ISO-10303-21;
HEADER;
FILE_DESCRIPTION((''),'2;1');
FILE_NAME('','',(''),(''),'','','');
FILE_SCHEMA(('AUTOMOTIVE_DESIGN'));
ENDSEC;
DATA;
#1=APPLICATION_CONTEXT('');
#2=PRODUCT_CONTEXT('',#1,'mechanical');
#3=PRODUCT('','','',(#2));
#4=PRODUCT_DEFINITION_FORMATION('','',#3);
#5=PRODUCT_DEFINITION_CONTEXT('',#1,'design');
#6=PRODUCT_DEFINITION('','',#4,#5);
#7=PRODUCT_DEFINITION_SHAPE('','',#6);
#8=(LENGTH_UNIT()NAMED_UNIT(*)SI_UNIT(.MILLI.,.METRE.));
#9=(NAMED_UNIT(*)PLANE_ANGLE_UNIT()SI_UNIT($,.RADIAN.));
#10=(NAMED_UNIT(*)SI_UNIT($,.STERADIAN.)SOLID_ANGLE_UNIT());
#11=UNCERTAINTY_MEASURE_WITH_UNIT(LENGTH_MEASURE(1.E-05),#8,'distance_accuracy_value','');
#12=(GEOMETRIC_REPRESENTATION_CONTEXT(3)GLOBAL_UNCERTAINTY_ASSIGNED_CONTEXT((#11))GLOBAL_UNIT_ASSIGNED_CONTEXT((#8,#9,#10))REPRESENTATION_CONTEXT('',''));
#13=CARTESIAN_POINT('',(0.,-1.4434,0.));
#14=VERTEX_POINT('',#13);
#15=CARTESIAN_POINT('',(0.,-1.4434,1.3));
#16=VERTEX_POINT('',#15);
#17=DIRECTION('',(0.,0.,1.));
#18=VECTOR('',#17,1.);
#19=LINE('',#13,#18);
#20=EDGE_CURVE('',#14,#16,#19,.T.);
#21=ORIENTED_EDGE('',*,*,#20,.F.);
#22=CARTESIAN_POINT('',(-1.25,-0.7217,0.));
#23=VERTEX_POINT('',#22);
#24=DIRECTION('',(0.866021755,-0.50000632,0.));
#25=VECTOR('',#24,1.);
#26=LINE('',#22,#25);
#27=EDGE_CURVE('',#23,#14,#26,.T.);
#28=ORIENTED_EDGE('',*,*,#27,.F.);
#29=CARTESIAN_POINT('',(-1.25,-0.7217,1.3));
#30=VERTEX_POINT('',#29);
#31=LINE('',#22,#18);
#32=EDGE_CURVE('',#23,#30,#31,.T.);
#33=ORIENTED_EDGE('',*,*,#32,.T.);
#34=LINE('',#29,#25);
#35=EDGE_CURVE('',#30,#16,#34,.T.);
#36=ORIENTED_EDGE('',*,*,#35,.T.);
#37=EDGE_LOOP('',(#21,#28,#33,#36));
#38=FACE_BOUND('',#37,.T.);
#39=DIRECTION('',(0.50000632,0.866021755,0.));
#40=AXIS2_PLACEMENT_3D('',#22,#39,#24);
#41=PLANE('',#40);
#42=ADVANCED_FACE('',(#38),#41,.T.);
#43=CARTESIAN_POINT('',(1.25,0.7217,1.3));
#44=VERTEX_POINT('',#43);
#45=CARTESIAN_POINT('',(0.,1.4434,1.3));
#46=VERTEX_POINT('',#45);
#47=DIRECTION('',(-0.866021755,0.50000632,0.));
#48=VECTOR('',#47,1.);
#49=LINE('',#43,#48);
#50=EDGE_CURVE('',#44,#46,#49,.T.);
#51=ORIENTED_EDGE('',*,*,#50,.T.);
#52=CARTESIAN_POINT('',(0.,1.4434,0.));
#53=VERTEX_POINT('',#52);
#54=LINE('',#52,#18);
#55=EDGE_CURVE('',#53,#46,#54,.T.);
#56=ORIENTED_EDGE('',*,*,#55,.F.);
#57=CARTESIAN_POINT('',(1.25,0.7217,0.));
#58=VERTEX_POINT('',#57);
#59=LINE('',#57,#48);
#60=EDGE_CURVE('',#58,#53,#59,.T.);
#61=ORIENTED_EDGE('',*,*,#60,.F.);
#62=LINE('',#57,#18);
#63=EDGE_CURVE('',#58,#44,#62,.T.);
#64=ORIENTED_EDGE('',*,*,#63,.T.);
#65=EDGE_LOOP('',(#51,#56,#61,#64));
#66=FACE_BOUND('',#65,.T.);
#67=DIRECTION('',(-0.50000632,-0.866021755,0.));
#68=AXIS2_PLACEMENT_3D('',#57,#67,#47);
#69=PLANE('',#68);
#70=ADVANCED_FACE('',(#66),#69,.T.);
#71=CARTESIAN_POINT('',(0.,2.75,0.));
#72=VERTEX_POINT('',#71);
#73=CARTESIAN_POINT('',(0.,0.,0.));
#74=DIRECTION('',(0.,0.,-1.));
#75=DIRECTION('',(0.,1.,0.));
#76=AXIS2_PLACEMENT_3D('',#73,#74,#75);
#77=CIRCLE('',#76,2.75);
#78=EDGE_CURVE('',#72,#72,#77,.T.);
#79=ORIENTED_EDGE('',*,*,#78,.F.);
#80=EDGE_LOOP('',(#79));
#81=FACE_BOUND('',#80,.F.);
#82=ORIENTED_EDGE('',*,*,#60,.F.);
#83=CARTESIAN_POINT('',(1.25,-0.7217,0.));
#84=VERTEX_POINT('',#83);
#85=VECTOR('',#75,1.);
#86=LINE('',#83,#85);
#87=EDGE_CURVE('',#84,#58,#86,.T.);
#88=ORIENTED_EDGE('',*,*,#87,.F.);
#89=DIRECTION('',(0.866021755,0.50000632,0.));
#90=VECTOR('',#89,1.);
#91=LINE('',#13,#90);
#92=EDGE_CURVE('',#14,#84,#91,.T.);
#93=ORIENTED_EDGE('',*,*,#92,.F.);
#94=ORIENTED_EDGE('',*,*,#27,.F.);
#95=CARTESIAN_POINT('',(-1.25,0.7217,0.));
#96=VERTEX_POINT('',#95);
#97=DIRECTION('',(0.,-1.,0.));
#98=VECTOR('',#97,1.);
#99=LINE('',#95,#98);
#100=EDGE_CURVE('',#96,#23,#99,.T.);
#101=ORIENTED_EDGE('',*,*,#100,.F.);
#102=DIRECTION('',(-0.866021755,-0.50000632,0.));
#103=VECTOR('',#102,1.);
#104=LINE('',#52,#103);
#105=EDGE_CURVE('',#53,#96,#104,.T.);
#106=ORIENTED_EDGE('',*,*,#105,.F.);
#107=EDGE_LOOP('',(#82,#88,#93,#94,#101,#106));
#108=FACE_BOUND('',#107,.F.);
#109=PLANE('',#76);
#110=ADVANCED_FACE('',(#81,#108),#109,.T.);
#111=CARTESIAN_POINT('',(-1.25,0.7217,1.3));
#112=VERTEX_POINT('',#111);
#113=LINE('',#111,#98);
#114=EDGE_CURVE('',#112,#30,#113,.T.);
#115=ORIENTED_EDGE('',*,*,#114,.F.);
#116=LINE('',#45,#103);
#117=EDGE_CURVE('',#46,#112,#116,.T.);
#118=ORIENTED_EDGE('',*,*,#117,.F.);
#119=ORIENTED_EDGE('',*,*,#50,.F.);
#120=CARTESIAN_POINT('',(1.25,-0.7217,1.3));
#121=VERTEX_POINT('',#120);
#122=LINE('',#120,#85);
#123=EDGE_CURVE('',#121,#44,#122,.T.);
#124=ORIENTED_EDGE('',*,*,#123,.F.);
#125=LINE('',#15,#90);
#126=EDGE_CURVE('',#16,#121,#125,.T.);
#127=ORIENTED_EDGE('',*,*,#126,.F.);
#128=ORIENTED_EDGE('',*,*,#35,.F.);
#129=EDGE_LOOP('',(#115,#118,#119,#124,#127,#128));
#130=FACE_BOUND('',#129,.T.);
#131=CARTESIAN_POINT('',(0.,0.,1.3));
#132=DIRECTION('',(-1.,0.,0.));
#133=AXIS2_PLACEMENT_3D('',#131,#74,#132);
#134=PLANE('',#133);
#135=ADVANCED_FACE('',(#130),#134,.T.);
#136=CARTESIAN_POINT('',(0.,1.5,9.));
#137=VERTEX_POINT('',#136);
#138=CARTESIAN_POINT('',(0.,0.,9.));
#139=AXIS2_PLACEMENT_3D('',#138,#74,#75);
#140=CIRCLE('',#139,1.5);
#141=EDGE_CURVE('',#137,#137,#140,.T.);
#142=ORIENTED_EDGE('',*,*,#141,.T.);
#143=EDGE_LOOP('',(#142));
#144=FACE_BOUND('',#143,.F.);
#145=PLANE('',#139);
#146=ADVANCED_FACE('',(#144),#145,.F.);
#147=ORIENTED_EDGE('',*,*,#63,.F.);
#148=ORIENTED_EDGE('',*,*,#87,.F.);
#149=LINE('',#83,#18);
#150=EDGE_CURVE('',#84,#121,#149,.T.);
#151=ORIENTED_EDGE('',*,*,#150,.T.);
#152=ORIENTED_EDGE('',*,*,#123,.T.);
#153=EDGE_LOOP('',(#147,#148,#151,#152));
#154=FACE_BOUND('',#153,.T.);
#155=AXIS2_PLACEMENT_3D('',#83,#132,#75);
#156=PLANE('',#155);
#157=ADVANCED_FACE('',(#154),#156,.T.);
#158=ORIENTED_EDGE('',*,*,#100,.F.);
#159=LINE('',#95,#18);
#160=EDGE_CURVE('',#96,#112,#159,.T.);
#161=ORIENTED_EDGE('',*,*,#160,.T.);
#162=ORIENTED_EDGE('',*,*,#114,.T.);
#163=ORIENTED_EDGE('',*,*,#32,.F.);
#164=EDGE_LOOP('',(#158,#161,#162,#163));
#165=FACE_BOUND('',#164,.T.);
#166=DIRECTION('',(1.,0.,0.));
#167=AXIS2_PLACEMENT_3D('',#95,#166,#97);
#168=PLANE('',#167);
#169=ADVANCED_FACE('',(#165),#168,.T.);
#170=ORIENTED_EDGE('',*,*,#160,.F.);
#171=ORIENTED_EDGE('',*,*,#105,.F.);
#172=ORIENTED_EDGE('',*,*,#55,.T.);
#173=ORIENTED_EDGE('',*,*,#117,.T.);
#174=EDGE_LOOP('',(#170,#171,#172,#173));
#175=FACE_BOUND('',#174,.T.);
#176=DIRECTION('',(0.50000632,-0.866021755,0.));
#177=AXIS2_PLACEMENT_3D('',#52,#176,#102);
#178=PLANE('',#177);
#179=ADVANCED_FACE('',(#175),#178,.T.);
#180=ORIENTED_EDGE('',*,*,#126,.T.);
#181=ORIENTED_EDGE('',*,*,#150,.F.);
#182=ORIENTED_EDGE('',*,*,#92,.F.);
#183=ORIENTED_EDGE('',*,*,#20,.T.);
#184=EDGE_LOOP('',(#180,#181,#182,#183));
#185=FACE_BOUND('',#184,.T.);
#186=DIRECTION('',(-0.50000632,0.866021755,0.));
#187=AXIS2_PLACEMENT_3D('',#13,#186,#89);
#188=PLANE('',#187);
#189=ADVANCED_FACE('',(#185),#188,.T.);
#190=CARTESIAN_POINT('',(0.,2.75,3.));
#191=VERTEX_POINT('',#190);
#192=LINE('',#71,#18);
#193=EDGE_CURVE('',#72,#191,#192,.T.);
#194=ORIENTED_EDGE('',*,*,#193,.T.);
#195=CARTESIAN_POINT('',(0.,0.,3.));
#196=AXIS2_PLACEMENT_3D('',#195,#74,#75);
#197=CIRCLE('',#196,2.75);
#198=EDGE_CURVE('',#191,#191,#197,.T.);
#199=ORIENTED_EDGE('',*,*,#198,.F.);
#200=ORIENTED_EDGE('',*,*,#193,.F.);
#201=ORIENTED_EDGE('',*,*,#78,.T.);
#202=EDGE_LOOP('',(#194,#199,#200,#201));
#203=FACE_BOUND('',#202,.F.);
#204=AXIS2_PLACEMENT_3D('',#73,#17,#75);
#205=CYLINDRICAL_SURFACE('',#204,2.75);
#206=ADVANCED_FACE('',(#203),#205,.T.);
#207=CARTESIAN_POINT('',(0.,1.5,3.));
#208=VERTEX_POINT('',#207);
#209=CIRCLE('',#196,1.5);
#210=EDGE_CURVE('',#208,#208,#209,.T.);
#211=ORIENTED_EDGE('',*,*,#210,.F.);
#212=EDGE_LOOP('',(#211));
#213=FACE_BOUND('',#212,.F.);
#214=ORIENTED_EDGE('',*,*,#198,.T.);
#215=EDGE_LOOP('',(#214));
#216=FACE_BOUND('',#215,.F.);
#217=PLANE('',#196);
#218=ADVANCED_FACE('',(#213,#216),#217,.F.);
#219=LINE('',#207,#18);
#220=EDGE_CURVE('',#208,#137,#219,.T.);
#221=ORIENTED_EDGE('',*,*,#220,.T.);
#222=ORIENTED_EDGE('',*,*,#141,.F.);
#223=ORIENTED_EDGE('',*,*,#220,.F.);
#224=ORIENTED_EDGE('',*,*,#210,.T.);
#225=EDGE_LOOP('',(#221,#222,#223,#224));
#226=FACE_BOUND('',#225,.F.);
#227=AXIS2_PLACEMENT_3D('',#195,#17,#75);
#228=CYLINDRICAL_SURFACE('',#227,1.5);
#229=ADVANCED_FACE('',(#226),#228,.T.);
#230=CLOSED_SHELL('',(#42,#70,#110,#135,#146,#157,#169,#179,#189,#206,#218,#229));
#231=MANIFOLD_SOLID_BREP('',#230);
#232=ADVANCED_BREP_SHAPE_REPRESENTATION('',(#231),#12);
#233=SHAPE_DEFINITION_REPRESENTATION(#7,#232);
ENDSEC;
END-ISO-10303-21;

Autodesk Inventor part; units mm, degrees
ref_plane "YZ Plane" through (0, 0, 0) normal (1, 0, 0) x (0, 1, 0)
ref_plane "XZ Plane" through (0, 0, 0) normal (0, 1, 0) x (-1, 0, 0)
ref_plane "XY Plane" through (0, 0, 0) normal (0, 0, 1) x (1, 0, 0)
sketch "スケッチ1" plane through (0, 0, 0) normal (1, 0, 0) x (0, 1, 0)
  line L0 (0, 9) -> (0, 0)
  line L1 (0, 0) -> (2.75, 0)
  line L2 (2.75, 0) -> (2.75, 3)
  line L3 (2.75, 3) -> (1.5, 3)
  line L4 (1.5, 3) -> (1.5, 9)
  line L5 (1.5, 9) -> (0, 9)
  dimension "d2" = 3
  dimension "d10" = 6
  dimension "d11" = 3
  dimension "d12" = 5.5
revolve "回転1" add sketch "スケッチ1" angle 360 about axis through (0, 0, 9) along (0, 0, -1)
thread "ねじ1" size "M3x0.5" class "6g" standard "ANSI Metric M Profile" full length
sketch "スケッチ2" plane through (0, 0, 0) normal (0, 0, -1) x (-1, 0, 0)
  line L0 (0, 1.4434) -> (1.25, 0.7217)
  line L1 (1.25, 0.7217) -> (1.25, -0.7217)
  line L2 (1.25, -0.7217) -> (0, -1.4434)
  line L3 (0, -1.4434) -> (-1.25, -0.7217)
  line L4 (-1.25, -0.7217) -> (-1.25, 0.7217)
  line L5 (-1.25, 0.7217) -> (0, 1.4434)
  circle A0 centre (0, 0) radius 2.75 projected
  line L6 (0, 2.75) -> (0, -2.75) construction
  point P0 (0, 0)
  dimension "d7" = 2.5
extrude "押し出し1" cut sketch "スケッチ2" against normal blind 1.3 contours L0 L1 L2 L3 L4 L5
properties part number "M3-6" material "ステンレス鋼 AISI 304"
